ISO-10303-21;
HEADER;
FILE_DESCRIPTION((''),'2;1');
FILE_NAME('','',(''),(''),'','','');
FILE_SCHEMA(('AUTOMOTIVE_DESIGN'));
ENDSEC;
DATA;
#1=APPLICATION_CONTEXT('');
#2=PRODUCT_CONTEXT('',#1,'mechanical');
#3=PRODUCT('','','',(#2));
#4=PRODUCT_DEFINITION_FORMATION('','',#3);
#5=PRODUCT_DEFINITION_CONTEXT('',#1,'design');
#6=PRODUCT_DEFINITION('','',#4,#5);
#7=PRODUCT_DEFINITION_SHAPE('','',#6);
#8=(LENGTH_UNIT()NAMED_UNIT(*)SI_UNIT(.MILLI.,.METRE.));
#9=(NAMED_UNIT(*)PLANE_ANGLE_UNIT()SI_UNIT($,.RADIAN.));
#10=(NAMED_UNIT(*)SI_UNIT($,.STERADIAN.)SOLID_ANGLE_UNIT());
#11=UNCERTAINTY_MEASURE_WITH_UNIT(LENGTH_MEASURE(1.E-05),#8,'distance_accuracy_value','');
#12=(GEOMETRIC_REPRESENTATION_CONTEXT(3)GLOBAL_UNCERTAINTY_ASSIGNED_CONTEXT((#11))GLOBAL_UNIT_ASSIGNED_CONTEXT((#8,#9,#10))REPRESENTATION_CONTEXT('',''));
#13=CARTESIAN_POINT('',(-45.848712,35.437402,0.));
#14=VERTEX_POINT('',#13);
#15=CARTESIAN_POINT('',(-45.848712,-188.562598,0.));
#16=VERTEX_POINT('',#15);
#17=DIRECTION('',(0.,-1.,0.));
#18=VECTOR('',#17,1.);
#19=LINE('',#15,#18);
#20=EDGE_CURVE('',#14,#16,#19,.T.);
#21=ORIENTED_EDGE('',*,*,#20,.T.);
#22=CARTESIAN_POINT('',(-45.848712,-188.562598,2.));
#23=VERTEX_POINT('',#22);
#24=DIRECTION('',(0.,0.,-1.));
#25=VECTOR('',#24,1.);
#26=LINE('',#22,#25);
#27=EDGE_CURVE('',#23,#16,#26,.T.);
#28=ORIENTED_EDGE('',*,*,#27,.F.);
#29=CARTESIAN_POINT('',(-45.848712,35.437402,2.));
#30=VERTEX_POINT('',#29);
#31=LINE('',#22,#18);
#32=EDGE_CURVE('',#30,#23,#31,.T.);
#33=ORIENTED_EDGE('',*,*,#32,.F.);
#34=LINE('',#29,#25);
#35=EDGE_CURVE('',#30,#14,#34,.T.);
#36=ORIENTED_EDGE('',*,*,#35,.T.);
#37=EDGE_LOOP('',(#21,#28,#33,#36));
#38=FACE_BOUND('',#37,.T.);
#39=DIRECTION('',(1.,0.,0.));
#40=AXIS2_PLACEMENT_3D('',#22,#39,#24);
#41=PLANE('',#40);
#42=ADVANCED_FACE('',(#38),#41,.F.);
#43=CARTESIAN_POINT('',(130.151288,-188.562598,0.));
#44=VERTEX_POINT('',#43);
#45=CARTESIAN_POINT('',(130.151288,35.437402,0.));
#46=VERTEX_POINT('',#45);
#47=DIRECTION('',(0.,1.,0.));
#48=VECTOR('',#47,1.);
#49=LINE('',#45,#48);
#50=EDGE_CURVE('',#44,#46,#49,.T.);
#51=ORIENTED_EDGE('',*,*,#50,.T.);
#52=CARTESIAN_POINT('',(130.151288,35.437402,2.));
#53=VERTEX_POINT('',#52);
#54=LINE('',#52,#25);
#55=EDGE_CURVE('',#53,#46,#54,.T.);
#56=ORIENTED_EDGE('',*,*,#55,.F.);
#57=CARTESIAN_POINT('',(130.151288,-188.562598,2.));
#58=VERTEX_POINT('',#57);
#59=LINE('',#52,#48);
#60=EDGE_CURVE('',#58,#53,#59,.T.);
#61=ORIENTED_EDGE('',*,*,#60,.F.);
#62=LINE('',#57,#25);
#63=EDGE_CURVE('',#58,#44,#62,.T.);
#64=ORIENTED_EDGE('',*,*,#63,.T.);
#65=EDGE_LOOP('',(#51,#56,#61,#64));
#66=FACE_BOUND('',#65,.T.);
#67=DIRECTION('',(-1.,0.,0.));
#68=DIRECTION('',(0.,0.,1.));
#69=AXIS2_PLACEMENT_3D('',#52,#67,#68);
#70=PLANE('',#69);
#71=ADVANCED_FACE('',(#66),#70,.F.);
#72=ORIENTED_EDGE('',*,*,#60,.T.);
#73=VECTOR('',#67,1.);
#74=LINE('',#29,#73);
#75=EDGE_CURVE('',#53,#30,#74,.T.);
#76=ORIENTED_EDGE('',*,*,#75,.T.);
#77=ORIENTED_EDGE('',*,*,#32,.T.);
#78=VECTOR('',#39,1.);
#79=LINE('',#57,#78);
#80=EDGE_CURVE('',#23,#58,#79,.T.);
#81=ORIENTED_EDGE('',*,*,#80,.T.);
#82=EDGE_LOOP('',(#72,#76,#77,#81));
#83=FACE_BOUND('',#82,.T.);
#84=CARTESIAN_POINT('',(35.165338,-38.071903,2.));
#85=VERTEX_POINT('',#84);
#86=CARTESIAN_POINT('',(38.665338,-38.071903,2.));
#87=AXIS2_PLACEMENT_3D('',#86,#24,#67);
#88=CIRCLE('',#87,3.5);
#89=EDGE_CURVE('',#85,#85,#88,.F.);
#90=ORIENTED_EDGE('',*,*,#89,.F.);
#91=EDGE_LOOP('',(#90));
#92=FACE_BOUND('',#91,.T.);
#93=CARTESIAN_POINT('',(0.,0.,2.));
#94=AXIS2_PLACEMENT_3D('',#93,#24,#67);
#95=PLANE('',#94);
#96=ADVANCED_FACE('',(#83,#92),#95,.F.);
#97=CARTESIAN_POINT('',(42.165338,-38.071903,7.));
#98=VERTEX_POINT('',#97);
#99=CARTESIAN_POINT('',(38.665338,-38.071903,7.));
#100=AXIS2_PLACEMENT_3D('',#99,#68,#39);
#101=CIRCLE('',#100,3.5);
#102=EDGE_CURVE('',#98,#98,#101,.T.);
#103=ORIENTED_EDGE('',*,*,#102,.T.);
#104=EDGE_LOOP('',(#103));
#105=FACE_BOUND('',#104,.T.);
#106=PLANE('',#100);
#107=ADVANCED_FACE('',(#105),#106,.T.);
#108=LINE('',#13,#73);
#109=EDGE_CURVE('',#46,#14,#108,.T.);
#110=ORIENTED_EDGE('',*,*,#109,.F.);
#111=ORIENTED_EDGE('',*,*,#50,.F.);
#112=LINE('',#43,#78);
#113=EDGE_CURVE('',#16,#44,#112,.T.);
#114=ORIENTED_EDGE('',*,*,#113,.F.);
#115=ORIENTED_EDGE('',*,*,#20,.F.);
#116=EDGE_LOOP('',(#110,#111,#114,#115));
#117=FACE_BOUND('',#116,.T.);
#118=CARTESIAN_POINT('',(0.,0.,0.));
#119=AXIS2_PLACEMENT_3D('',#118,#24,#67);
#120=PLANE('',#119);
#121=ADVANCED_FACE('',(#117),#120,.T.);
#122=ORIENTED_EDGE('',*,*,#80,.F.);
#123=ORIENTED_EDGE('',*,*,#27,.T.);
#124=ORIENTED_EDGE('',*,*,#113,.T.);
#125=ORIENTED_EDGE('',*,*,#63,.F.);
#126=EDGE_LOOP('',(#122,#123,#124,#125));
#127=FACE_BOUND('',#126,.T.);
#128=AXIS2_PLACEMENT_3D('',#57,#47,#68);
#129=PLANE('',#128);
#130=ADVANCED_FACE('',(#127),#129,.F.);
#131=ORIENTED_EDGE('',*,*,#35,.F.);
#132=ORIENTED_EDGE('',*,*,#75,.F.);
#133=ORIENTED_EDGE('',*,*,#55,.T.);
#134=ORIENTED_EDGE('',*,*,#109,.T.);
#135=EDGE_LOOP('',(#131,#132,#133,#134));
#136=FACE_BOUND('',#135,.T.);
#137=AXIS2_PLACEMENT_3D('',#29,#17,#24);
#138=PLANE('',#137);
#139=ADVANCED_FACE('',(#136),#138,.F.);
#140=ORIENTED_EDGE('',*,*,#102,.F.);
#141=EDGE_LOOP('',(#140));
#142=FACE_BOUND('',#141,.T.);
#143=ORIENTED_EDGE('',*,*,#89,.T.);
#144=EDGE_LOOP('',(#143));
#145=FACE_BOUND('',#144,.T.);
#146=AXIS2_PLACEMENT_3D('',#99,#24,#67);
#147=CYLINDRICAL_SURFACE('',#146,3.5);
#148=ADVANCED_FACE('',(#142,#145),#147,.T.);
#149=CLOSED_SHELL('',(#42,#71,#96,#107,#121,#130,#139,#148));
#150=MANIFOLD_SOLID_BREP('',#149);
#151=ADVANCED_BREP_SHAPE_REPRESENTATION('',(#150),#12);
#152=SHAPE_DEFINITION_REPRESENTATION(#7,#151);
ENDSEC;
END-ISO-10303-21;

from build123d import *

# Parameters (mm, degrees)
SKETCH_1_W      = 176
SKETCH_1_H      = 224
EXTRUDE_1_DEPTH = 2
SKETCH_2_R      = 3.5
EXTRUDE_2_DEPTH = 5


with BuildPart() as part:
    # 草图1 → 凸台-拉伸1 (new body)
    with BuildSketch(Plane.XY):
        with Locations((42.151287843, -76.562598062)):
            Rectangle(SKETCH_1_W, SKETCH_1_H)
    extrude(amount=EXTRUDE_1_DEPTH)

    # 草图2 → 凸台-拉伸2 (add)
    with BuildSketch(Plane.XY.offset(2)):
        with Locations((38.665338102, -38.071903006)):
            Circle(SKETCH_2_R)
    extrude(amount=EXTRUDE_2_DEPTH)


solid = part.part
